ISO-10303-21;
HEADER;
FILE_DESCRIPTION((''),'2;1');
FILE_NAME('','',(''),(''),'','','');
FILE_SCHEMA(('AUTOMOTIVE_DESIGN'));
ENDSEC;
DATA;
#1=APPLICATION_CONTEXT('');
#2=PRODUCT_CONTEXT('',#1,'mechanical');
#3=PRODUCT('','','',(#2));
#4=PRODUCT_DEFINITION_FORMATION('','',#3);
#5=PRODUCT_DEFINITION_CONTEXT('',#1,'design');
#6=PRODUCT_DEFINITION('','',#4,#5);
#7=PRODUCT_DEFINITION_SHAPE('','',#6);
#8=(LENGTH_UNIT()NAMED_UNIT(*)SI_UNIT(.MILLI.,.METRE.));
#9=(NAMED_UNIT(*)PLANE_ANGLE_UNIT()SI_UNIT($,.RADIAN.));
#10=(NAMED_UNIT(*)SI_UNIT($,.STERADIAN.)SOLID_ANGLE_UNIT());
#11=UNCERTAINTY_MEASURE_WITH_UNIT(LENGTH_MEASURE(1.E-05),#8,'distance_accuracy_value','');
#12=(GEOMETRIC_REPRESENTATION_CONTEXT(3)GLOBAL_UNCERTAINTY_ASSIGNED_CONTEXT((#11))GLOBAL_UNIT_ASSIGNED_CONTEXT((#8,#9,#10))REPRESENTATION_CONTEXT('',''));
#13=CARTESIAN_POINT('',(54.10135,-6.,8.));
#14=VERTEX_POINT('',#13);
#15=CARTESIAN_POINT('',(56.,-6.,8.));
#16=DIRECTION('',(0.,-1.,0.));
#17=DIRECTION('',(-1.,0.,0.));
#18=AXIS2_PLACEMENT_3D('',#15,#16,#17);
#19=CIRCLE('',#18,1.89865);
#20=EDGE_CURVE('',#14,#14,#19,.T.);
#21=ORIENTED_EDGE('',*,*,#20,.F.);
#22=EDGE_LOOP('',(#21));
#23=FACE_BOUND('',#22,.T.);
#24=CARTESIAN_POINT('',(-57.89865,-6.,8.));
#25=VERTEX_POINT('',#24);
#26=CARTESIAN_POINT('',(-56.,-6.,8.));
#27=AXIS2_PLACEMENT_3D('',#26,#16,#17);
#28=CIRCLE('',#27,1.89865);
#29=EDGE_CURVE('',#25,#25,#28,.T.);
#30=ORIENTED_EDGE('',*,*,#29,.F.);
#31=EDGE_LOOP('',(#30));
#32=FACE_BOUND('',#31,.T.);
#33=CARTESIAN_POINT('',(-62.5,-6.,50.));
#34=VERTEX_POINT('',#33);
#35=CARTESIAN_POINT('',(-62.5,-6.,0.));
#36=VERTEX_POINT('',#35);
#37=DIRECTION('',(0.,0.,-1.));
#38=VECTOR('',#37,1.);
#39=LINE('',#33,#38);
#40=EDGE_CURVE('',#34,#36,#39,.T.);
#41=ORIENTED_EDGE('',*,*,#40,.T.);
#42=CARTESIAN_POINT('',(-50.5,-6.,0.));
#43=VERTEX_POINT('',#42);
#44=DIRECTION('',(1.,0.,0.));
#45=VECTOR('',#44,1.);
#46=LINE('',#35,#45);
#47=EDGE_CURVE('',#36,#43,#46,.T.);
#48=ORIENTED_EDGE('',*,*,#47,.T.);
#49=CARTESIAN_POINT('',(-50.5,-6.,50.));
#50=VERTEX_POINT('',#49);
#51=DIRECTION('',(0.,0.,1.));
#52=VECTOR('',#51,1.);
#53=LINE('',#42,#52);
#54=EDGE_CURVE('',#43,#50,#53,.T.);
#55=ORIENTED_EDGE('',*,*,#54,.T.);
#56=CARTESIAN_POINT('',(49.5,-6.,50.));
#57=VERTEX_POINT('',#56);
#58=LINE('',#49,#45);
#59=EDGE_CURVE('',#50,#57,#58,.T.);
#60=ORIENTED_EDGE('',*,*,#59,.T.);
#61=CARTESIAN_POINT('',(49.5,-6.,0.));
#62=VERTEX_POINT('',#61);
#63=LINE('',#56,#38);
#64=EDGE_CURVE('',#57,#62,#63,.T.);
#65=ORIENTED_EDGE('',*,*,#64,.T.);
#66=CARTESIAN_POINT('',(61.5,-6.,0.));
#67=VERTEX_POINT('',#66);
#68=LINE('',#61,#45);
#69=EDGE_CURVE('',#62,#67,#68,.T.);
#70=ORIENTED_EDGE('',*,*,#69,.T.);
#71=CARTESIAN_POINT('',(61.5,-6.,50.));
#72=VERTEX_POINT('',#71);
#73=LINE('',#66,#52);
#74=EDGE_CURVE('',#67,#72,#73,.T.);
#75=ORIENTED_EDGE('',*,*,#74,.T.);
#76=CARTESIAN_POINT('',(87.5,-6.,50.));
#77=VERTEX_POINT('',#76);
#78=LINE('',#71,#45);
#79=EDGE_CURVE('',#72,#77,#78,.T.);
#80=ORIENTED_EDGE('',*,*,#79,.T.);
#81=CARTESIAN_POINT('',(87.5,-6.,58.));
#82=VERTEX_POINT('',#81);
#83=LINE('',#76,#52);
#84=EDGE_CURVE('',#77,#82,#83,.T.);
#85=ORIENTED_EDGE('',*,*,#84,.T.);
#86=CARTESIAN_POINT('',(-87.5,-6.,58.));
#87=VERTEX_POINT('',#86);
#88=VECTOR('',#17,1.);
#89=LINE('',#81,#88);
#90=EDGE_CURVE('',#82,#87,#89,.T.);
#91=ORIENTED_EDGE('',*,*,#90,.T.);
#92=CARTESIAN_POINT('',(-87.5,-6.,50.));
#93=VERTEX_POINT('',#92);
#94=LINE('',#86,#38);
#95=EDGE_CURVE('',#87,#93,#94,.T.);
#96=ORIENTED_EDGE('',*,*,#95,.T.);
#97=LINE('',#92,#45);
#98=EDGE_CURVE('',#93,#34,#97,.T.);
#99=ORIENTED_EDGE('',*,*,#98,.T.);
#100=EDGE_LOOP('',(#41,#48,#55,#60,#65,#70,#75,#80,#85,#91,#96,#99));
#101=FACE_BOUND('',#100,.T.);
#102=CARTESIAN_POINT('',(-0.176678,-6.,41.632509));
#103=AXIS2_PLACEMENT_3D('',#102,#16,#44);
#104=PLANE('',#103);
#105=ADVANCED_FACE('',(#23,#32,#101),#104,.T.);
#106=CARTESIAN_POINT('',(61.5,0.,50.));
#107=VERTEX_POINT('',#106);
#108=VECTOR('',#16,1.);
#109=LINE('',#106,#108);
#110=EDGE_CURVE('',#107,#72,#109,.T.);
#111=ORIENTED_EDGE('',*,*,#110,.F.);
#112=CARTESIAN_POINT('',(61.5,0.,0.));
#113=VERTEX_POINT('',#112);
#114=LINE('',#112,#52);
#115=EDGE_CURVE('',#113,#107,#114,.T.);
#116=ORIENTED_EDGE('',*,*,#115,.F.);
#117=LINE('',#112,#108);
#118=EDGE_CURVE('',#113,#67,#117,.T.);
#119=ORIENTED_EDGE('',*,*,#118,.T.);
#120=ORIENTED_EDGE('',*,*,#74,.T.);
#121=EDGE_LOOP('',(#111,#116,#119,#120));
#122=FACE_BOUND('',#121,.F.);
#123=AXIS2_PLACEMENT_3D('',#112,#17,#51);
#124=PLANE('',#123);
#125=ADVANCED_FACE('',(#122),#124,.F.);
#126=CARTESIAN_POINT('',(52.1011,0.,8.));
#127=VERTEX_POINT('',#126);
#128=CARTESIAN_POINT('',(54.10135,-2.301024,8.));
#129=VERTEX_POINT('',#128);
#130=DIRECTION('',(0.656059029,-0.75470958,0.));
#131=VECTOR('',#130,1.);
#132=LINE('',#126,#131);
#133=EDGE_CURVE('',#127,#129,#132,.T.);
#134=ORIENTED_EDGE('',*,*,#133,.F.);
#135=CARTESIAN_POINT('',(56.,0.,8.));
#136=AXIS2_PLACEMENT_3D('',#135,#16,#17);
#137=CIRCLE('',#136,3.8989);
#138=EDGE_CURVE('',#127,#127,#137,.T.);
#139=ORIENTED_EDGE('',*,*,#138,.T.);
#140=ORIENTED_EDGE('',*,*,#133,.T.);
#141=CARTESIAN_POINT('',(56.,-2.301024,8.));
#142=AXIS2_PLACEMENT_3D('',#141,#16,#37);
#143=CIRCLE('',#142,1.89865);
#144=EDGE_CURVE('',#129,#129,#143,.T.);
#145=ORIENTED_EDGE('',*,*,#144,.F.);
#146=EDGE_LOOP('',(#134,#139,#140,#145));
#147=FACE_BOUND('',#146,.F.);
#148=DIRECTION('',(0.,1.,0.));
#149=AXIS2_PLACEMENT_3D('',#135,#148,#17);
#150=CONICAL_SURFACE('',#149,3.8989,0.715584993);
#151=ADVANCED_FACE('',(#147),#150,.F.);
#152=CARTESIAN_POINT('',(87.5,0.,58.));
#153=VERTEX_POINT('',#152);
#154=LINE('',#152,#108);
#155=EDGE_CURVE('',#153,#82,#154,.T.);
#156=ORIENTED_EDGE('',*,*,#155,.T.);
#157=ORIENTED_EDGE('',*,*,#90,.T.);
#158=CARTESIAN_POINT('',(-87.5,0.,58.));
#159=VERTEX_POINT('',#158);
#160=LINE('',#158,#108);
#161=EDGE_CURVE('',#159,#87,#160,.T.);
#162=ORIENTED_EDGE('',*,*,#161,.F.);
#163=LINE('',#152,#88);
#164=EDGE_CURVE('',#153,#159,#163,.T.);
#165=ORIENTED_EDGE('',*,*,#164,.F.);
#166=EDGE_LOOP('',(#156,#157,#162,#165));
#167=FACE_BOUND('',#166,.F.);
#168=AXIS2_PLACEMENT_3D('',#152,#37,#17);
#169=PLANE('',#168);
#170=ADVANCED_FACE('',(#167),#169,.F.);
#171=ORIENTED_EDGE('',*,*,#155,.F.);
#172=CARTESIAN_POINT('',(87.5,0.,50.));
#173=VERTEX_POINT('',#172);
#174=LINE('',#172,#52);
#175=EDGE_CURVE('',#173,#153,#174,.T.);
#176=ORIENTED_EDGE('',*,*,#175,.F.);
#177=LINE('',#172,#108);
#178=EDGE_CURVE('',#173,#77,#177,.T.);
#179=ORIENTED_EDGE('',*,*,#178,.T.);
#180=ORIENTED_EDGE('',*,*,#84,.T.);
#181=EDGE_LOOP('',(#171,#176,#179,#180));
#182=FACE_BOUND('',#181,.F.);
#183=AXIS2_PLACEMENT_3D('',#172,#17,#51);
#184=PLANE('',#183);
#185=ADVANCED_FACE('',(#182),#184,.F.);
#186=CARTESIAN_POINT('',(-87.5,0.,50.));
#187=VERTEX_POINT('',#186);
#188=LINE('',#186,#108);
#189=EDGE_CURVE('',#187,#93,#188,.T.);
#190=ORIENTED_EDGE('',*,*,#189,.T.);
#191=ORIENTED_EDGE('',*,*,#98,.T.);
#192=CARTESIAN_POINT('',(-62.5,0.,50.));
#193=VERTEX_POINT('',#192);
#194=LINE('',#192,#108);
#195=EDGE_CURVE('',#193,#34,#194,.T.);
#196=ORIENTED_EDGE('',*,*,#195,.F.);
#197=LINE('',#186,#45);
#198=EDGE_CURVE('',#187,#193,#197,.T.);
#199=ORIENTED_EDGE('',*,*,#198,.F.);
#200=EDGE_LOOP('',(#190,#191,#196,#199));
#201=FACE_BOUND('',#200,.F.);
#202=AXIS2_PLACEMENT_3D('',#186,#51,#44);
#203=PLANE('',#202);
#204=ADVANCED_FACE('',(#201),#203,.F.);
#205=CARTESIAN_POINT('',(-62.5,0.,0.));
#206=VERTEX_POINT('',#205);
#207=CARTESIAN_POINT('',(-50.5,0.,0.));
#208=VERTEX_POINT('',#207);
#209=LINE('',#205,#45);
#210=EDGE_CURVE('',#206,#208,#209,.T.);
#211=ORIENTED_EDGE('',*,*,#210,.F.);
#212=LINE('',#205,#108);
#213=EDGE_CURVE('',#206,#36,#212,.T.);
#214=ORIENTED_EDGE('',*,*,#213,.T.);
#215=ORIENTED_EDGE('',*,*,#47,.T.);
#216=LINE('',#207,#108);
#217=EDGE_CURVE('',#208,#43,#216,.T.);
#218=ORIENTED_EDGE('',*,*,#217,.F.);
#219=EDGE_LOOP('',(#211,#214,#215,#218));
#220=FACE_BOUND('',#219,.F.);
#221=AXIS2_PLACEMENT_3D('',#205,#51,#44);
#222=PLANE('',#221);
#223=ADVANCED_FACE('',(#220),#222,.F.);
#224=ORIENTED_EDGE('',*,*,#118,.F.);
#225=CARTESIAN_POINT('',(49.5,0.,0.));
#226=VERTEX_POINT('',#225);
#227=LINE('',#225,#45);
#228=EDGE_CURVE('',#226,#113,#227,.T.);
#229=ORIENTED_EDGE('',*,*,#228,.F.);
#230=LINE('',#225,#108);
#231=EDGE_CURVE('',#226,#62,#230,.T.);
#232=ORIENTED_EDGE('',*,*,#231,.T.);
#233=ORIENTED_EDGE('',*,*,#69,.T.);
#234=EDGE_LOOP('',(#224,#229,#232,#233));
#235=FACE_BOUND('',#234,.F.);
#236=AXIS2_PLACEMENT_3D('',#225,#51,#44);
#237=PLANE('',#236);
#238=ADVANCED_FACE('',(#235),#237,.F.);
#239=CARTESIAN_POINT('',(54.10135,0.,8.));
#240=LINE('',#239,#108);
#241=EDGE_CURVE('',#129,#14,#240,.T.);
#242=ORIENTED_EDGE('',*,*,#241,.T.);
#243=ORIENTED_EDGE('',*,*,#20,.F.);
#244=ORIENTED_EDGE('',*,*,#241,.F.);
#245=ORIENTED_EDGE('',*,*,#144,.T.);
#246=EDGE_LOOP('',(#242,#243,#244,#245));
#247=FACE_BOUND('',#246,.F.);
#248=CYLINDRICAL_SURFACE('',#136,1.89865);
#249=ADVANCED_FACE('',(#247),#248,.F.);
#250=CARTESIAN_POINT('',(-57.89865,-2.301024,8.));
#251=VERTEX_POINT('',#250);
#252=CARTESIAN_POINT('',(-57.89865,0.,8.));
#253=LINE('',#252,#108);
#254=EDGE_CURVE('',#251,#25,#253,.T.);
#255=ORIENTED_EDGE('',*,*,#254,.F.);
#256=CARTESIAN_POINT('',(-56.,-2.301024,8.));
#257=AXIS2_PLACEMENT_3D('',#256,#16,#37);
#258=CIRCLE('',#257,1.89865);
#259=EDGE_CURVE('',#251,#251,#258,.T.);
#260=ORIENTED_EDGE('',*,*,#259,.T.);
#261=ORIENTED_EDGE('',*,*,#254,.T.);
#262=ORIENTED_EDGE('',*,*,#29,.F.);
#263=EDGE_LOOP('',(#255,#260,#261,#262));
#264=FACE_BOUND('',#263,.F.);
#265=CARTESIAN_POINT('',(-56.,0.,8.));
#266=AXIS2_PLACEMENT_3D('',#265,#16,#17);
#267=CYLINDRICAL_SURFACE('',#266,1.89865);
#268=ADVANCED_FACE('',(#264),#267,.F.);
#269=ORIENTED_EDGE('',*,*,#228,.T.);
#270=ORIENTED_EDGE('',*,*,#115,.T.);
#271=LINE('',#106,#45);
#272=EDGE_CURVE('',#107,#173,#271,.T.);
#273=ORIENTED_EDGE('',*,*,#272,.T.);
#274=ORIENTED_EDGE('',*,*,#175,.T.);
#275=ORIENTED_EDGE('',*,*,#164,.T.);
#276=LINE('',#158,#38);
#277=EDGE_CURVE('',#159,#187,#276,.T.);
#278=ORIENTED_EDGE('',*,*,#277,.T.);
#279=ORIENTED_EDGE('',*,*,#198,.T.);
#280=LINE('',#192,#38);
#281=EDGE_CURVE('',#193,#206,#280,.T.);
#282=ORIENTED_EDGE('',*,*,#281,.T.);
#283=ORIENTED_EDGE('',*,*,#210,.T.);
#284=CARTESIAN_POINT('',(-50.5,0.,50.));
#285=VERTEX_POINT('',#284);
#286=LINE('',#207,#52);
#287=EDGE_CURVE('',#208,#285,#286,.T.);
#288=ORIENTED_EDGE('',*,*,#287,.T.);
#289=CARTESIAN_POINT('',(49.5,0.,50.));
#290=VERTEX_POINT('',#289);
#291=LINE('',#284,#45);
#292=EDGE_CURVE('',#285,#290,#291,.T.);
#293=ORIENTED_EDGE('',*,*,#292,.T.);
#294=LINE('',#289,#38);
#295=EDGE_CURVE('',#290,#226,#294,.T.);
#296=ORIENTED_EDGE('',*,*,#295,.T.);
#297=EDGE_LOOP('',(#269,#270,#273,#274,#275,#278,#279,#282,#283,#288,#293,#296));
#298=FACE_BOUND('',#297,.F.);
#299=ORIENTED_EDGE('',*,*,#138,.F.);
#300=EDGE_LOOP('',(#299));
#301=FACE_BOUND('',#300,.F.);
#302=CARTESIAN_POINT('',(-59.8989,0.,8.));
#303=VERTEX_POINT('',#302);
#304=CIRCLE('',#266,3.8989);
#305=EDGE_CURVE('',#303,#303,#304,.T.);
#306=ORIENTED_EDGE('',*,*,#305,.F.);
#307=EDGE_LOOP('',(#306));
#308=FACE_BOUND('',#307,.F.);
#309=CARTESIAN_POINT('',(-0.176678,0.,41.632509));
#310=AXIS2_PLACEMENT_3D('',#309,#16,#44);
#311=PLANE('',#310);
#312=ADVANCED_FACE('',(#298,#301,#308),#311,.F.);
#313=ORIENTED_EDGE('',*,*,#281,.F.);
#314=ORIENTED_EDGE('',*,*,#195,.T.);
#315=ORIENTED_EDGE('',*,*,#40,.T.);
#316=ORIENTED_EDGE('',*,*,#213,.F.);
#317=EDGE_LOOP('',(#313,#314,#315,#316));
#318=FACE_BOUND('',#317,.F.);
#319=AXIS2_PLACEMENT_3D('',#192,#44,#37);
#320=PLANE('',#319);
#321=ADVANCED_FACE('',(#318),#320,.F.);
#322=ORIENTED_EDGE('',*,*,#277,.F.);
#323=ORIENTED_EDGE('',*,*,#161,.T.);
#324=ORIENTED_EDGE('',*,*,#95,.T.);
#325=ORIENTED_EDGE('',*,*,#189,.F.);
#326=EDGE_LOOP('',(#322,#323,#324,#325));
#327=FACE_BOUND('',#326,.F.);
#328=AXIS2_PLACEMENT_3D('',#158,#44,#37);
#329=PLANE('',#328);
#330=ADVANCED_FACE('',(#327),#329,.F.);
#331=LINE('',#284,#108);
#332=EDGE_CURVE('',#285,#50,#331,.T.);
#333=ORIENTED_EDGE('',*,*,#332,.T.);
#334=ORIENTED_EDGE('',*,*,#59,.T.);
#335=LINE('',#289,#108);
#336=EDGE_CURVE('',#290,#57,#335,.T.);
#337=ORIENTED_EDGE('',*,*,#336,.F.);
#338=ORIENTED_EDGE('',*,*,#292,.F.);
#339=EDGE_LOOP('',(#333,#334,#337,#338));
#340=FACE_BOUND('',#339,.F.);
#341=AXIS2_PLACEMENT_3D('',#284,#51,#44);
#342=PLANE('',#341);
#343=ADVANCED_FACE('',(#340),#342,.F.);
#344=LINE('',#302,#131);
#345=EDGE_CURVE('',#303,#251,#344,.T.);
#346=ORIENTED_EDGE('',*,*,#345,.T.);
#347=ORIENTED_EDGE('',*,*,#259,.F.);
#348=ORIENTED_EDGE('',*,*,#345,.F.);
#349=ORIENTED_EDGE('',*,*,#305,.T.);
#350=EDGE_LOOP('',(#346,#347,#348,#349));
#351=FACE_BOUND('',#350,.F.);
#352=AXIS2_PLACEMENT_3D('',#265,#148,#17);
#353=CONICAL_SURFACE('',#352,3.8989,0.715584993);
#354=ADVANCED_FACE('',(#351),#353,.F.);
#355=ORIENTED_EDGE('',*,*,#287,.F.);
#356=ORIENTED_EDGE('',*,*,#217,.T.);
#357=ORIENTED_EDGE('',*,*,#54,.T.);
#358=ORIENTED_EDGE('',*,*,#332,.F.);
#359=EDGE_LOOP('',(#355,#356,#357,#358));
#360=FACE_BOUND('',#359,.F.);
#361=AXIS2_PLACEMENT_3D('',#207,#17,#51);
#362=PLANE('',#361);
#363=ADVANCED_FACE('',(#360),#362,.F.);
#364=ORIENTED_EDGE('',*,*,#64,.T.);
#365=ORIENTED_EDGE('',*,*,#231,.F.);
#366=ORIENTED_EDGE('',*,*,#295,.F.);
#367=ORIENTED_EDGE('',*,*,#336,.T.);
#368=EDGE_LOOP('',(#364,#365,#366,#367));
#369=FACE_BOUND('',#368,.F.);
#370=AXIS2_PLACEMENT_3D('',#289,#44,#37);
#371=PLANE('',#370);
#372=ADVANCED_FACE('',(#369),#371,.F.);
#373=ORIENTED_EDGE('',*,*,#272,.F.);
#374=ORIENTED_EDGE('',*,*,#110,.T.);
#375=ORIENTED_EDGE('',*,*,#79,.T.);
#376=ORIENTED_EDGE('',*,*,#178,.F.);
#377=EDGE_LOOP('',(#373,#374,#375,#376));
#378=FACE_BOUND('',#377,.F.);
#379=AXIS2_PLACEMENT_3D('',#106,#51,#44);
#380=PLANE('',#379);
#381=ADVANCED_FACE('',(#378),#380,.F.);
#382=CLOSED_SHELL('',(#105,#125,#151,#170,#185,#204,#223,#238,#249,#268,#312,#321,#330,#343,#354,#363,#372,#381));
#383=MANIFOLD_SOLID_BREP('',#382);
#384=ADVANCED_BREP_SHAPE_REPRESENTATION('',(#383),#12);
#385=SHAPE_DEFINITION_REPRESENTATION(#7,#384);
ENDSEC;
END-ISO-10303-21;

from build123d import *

# Parameters (mm, degrees)
F1_DEPTH       = 6
F2_D           = 3.7973
F2_CSINK_D     = 7.7978
F2_CSINK_ANGLE = 82


with BuildPart() as f1:
    # F0 (on Front) → F1 (new body)
    with BuildSketch(Plane.XZ):
        Polygon((-87.5, 58), (-87.5, 50), (-62.5, 50), (-62.5, 0), (-50.5, 0), (-50.5, 50), (49.5, 50), (49.5, 0), (61.5, 0), (61.5, 50), (87.5, 50), (87.5, 58), align=None)
    extrude(amount=F1_DEPTH)

    # F2 (through all)
    with Locations(Plane(origin=(0, 0, 0), x_dir=(1, 0, 0), z_dir=(0, 1, 0))):
        with Locations((-56, -8), (56, -8)):
            CounterSinkHole(F2_D / 2, F2_CSINK_D / 2, counter_sink_angle=F2_CSINK_ANGLE)


solid = f1.part
